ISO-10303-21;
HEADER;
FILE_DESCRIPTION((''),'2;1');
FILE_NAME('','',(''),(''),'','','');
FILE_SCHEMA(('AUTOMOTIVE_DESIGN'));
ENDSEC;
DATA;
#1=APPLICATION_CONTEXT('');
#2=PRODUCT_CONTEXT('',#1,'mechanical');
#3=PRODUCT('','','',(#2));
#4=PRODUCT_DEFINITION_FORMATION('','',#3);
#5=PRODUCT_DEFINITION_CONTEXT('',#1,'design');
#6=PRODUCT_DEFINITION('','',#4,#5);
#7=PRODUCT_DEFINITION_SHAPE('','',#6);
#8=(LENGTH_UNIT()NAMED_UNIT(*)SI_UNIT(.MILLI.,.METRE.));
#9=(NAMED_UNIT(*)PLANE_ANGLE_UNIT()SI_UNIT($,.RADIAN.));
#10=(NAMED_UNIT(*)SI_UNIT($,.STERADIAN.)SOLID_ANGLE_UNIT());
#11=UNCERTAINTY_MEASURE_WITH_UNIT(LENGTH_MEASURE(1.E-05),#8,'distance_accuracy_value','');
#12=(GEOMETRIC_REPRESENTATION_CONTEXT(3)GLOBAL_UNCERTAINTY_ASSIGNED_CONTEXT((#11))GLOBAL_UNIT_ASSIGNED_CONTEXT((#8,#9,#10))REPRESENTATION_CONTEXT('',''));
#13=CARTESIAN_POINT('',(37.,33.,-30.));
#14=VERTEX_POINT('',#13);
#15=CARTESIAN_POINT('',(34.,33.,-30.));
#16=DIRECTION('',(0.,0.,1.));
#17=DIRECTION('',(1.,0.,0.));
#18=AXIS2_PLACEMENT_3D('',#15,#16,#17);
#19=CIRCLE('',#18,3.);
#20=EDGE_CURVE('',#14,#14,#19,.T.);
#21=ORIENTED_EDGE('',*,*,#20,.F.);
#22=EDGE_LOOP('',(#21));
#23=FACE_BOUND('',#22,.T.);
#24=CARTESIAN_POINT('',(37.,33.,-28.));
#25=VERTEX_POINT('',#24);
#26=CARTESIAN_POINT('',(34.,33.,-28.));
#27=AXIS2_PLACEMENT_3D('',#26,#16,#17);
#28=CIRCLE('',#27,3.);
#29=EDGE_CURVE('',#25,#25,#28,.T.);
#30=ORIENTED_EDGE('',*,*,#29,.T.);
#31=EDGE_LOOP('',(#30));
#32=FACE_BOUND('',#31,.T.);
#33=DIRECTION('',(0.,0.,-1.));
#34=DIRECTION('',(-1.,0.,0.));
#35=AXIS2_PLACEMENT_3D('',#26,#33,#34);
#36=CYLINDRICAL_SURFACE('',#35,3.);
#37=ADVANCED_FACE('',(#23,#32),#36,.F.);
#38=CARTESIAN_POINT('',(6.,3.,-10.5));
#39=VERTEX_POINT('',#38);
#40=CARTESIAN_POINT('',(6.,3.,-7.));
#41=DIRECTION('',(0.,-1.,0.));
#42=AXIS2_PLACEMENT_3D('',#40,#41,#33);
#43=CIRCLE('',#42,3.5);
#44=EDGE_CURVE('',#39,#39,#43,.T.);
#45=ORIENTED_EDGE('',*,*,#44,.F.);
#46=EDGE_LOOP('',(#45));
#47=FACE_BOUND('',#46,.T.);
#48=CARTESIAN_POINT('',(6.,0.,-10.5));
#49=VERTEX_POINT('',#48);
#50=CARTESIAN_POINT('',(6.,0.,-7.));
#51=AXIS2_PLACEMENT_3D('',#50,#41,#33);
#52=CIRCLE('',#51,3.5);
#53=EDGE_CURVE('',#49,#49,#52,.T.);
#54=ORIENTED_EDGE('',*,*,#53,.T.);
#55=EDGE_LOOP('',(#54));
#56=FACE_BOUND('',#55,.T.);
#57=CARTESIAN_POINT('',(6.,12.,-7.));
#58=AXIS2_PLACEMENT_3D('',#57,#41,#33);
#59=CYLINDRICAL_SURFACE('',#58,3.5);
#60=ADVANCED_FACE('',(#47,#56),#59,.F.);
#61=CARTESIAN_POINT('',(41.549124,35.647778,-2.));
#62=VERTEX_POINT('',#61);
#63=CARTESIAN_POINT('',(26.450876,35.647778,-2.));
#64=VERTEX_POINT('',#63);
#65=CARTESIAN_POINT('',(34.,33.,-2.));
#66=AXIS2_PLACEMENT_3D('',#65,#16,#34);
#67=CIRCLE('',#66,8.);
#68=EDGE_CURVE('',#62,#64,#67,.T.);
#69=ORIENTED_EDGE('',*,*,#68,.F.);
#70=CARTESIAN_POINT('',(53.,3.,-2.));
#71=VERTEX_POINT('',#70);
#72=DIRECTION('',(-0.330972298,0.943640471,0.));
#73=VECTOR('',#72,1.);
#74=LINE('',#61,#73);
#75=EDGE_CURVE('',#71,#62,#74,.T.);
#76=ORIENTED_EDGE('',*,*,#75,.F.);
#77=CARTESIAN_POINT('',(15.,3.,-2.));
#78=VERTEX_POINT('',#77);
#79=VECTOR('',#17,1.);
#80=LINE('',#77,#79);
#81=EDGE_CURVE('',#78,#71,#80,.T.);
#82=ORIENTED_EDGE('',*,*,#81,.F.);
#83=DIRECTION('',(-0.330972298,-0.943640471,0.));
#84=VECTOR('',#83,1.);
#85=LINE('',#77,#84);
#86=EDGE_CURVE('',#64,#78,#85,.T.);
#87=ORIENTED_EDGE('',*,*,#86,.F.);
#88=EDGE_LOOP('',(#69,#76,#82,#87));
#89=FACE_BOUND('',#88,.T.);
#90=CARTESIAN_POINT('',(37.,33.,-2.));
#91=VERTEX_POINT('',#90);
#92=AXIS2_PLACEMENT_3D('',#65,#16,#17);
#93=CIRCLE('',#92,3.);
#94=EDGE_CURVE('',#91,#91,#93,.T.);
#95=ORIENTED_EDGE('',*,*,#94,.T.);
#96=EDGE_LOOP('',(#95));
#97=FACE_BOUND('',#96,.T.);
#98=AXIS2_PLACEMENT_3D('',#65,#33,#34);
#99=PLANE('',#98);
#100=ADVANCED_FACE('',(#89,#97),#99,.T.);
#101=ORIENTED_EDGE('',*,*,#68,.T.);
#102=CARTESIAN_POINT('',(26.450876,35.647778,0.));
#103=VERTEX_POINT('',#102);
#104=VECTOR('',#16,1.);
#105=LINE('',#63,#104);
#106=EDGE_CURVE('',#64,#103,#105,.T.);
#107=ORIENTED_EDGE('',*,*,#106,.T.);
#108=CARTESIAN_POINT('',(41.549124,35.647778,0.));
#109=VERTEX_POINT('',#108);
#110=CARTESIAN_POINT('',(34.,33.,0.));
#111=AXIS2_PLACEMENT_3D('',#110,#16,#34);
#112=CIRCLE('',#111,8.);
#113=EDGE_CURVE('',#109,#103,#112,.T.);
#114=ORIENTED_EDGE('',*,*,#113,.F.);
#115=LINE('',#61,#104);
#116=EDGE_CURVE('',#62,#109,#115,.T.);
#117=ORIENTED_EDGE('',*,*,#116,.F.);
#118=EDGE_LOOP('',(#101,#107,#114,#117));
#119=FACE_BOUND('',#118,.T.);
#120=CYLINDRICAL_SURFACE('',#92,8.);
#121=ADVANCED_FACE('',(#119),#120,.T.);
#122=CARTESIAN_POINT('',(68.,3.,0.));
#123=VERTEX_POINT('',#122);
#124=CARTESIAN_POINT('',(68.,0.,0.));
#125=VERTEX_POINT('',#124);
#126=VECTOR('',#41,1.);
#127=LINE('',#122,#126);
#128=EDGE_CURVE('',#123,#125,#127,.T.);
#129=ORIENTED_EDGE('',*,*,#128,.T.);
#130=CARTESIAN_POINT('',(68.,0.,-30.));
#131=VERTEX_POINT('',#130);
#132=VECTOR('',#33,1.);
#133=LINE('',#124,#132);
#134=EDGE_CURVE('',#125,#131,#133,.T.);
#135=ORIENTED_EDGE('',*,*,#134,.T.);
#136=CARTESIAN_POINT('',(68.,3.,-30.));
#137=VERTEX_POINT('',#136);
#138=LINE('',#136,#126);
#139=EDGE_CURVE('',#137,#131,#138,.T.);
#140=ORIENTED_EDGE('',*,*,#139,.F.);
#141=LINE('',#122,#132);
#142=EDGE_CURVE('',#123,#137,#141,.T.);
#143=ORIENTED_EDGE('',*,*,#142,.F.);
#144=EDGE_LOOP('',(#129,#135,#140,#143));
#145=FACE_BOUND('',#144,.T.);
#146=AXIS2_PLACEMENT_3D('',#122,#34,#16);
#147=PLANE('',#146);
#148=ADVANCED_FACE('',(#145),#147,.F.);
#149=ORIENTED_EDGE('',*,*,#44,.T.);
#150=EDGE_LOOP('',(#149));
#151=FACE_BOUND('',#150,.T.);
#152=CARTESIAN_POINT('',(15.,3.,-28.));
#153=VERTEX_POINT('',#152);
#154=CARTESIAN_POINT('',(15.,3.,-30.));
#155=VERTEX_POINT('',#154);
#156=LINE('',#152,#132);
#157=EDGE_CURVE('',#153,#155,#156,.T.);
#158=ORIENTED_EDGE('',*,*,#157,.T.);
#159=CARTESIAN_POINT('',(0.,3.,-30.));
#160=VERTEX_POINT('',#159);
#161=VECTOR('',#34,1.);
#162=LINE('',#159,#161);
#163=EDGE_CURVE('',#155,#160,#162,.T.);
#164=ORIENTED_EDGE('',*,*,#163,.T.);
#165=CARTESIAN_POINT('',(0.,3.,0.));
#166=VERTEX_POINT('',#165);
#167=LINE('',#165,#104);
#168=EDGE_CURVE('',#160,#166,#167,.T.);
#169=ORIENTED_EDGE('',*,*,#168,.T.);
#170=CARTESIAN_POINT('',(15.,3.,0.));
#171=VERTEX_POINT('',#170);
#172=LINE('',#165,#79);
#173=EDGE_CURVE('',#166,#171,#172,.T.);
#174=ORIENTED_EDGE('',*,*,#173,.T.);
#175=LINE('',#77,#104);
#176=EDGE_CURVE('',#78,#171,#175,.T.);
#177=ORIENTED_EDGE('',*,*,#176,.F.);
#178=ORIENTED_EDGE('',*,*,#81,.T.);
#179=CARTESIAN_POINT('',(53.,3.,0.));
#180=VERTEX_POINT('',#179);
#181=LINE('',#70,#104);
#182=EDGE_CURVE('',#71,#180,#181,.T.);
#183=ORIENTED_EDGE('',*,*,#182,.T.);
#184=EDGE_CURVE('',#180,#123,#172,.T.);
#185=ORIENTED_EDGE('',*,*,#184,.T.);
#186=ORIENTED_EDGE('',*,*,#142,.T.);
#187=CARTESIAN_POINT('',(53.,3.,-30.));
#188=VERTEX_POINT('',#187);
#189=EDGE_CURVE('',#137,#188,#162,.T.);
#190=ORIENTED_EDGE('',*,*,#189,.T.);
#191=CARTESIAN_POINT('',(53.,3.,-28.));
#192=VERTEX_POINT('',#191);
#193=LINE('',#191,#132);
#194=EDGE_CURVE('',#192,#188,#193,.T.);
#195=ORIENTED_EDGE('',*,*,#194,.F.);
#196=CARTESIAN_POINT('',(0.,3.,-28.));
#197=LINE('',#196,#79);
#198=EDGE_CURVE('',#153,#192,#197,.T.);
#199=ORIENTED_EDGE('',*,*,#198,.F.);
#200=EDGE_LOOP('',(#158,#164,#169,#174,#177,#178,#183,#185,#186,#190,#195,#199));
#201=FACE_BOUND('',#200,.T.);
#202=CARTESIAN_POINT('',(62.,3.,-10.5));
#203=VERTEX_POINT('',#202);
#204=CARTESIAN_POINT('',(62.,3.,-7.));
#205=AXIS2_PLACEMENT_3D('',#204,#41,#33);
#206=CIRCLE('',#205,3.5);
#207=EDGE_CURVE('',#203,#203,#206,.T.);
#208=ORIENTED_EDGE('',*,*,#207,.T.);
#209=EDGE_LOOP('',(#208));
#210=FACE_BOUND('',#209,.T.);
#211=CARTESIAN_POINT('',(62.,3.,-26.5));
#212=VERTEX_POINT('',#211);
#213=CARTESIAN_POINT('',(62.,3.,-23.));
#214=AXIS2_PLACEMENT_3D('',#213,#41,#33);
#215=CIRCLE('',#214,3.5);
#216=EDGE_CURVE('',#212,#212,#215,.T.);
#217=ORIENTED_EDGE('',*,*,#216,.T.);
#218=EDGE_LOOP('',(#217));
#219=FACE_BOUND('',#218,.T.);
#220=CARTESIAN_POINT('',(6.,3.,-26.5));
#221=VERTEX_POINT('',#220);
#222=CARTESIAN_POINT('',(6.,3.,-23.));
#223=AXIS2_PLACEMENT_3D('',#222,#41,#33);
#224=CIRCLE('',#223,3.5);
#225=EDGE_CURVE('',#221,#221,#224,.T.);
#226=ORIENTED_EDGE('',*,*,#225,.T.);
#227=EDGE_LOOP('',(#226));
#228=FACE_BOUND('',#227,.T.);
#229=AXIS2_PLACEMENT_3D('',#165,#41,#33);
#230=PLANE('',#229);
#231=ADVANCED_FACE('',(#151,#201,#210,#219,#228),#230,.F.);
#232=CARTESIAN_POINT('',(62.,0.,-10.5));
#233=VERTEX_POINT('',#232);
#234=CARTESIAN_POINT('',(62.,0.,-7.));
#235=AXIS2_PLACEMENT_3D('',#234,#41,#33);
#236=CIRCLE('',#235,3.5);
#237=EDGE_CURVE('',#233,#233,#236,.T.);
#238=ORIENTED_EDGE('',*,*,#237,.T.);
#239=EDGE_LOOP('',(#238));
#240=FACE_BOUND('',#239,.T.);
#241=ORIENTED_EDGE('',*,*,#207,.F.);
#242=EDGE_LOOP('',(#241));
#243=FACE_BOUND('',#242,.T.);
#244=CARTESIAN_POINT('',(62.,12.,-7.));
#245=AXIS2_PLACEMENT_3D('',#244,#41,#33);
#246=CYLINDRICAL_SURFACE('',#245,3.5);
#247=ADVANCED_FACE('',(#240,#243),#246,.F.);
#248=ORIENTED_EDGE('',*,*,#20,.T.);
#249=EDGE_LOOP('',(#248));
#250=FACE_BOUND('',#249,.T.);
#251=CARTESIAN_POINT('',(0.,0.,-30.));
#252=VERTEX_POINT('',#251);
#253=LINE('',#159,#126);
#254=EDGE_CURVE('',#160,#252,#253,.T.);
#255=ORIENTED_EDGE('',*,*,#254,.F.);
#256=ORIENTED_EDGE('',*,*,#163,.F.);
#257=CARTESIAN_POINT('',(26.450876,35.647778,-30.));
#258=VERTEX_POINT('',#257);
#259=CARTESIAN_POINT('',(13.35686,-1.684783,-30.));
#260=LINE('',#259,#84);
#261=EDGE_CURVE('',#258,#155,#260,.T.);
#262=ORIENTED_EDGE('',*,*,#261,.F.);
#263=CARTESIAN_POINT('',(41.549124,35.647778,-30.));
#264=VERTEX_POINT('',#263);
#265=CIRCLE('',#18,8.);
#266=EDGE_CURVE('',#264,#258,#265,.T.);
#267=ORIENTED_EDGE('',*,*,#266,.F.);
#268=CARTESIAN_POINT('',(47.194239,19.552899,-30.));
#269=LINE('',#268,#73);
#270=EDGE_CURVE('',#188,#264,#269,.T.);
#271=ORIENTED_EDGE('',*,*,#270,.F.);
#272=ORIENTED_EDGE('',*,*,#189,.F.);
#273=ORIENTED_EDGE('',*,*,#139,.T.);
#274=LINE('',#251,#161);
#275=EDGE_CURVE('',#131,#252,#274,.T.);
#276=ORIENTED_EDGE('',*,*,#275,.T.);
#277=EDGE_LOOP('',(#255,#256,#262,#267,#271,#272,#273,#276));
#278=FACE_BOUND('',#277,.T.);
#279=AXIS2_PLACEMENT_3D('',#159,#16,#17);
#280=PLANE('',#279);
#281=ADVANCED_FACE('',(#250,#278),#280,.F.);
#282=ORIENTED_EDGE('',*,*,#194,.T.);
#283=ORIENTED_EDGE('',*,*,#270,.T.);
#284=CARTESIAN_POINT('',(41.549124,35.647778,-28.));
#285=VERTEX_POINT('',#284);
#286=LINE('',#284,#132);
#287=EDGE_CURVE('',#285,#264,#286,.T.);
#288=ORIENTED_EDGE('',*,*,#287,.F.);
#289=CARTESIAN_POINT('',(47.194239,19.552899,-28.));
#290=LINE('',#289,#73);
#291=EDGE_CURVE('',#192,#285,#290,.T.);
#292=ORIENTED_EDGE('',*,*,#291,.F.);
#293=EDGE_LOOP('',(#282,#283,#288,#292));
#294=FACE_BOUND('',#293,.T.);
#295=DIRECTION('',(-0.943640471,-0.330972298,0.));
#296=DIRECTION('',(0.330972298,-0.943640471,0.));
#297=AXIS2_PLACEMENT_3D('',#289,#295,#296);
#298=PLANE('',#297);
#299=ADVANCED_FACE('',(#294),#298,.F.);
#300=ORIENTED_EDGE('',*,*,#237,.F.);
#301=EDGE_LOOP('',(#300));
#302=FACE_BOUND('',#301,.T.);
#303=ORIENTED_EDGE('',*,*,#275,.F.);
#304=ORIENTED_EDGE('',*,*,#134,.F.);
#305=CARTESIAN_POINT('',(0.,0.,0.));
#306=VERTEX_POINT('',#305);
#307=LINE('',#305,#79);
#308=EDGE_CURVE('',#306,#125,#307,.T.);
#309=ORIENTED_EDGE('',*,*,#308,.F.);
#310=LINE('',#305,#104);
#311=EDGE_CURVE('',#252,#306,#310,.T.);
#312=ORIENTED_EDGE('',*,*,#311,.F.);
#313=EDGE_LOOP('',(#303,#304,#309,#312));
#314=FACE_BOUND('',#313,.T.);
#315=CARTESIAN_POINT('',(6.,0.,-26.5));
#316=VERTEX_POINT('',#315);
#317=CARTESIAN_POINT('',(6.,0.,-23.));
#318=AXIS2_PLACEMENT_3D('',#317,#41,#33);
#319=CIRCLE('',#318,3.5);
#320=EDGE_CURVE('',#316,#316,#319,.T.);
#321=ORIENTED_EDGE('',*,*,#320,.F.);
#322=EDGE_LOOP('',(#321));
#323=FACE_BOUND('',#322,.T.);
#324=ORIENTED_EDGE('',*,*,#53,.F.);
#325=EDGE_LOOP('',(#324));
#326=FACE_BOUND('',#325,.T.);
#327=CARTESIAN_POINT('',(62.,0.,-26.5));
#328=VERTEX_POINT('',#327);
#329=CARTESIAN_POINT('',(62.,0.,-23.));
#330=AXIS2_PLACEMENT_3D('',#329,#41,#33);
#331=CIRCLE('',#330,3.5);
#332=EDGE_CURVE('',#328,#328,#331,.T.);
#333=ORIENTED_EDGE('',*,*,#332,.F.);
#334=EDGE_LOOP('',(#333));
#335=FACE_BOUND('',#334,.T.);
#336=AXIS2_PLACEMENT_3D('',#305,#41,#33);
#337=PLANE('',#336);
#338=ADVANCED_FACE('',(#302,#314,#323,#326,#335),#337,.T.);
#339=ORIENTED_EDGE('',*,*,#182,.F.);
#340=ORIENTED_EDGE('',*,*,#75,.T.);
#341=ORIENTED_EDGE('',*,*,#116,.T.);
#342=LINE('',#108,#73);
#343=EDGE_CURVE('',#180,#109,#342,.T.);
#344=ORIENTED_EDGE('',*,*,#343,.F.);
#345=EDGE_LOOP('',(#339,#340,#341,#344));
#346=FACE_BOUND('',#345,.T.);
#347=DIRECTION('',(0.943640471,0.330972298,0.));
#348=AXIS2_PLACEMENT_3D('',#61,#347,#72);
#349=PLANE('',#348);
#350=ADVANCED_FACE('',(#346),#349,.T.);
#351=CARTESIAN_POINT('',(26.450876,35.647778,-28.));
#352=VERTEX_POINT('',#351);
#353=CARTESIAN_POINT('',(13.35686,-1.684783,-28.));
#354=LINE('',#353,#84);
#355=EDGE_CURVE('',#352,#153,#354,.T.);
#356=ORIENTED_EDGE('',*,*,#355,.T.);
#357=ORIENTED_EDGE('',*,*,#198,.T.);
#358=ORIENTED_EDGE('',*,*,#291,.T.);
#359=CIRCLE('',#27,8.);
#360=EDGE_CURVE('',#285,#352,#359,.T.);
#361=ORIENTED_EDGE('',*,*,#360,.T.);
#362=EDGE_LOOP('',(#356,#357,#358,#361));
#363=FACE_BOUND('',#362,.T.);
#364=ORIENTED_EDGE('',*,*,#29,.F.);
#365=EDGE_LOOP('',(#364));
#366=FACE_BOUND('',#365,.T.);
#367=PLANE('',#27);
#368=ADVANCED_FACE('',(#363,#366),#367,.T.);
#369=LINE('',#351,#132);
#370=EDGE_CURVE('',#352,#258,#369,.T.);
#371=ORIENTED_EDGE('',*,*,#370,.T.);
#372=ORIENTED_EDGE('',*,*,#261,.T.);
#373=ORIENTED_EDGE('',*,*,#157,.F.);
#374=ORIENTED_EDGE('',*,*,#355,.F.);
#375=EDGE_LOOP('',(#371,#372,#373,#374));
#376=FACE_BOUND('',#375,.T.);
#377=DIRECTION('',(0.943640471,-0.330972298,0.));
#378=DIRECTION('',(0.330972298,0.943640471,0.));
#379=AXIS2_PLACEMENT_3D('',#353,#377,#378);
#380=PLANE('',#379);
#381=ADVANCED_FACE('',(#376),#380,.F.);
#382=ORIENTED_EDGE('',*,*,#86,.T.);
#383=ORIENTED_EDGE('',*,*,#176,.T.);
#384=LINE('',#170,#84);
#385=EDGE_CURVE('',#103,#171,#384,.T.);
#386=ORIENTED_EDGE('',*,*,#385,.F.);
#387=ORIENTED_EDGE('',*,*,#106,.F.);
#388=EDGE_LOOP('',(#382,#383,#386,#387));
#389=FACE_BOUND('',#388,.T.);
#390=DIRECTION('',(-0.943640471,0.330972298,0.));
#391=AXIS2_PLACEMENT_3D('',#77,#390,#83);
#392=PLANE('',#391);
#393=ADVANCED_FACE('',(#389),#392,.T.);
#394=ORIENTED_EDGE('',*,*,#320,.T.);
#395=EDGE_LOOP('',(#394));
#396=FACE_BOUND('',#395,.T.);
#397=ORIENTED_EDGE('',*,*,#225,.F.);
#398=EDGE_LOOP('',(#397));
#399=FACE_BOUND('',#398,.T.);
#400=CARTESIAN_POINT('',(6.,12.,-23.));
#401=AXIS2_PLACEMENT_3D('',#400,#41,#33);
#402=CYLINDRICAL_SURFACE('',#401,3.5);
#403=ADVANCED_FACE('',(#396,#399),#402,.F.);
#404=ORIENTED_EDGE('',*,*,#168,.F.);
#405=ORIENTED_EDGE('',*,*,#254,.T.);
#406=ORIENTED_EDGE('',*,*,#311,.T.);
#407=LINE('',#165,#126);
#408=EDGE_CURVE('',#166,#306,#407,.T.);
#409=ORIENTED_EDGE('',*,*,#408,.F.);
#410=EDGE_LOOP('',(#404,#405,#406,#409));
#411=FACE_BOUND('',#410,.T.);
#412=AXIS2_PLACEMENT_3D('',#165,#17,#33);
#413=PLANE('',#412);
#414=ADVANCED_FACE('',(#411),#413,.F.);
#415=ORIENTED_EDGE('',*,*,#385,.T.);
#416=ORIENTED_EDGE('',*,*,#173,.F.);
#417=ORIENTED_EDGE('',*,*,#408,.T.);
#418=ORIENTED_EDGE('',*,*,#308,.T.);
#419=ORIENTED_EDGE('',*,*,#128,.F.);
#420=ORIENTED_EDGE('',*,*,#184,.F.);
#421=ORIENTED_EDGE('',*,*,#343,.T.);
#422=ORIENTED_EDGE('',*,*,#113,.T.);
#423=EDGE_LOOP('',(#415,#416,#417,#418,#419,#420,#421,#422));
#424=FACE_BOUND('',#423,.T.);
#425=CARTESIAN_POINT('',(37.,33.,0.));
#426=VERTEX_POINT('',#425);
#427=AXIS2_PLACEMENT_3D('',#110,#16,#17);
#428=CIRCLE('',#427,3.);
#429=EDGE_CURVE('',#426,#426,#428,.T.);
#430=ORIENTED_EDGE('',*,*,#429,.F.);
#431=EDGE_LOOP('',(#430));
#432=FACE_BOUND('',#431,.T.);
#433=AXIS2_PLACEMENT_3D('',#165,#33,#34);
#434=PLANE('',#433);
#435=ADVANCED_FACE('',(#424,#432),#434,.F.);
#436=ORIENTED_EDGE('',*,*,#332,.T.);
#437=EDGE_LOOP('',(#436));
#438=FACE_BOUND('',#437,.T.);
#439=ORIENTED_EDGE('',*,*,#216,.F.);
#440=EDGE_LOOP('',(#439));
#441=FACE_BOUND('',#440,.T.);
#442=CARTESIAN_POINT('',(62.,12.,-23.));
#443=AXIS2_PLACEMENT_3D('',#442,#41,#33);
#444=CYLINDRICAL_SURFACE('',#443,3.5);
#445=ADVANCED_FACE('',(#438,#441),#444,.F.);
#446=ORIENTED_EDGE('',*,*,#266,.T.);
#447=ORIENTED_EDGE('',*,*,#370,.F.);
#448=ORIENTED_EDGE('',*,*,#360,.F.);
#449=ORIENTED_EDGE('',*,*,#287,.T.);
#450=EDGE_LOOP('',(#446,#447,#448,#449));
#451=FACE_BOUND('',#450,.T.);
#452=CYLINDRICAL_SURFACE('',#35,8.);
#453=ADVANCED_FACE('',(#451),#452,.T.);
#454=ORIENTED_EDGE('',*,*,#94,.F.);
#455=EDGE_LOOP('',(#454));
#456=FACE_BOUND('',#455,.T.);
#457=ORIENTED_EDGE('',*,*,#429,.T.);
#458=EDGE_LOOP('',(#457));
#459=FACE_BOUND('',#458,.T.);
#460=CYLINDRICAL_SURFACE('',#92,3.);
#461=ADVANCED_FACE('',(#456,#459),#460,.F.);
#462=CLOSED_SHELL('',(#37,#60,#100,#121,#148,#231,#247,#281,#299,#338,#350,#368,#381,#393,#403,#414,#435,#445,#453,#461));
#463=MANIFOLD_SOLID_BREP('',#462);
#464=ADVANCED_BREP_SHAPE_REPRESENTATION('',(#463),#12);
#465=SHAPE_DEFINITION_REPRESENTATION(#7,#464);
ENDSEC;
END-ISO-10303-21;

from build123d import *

# Parameters (mm, degrees)
SKETCH_1_W          = 68
SKETCH_1_H          = 30
EXTRUDE_1_DEPTH     = 3
SKETCH_2_R          = 3
EXTRUDE_2_DEPTH     = 2
EXTRUDE_START       = -28
SKETCH_2_2_R        = 3
EXTRUDE_3_DEPTH     = 2
SKETCH_3_R          = 3.5
CUT_EXTRUDE_1_DEPTH = 12


with BuildPart() as part:
    # 草图1 → 凸台-拉伸1 (new body)
    with BuildSketch(Plane(origin=(0, 0, 0), x_dir=(1, 0, 0), z_dir=(0, 1, 0))):
        with Locations((34, 15)):
            Rectangle(SKETCH_1_W, SKETCH_1_H)
    extrude(amount=EXTRUDE_1_DEPTH)

    # 草图2 → 凸台-拉伸2 (add)
    with BuildSketch(Plane.XY):
        with BuildLine():
            Line((15, 3), (26.450876235, 35.647778385))
            ThreePointArc((26.450876235, 35.647778385), (34, 41), (41.549123765, 35.647778385))
            Line((41.549123765, 35.647778385), (53, 3))
            Line((53, 3), (15, 3))
        make_face()
        with Locations((34, 33)):
            Circle(SKETCH_2_R, mode=Mode.SUBTRACT)
    extrude(amount=-EXTRUDE_2_DEPTH)

    # 草图2<2> → 凸台-拉伸3 (add)
    with BuildSketch(Plane.XY.offset(EXTRUDE_START)):
        with BuildLine():
            Line((15, 3), (26.450876235, 35.647778385))
            ThreePointArc((26.450876235, 35.647778385), (34, 41), (41.549123765, 35.647778385))
            Line((41.549123765, 35.647778385), (53, 3))
            Line((53, 3), (15, 3))
        make_face()
        with Locations((34, 33)):
            Circle(SKETCH_2_2_R, mode=Mode.SUBTRACT)
    extrude(amount=-EXTRUDE_3_DEPTH)

    # 草图3 → 切除-拉伸1 (cut)
    with BuildSketch(Plane.XZ):
        with Locations(Location((6, -7, 0), (0, 0, 270))):
            Circle(SKETCH_3_R)
        with Locations(Location((6, -23, 0), (0, 0, 270))):
            Circle(SKETCH_3_R)
        with Locations(Location((62, -7, 0), (0, 0, 270))):
            Circle(SKETCH_3_R)
        with Locations(Location((62, -23, 0), (0, 0, 270))):
            Circle(SKETCH_3_R)
    extrude(amount=-CUT_EXTRUDE_1_DEPTH, mode=Mode.SUBTRACT)


solid = part.part
